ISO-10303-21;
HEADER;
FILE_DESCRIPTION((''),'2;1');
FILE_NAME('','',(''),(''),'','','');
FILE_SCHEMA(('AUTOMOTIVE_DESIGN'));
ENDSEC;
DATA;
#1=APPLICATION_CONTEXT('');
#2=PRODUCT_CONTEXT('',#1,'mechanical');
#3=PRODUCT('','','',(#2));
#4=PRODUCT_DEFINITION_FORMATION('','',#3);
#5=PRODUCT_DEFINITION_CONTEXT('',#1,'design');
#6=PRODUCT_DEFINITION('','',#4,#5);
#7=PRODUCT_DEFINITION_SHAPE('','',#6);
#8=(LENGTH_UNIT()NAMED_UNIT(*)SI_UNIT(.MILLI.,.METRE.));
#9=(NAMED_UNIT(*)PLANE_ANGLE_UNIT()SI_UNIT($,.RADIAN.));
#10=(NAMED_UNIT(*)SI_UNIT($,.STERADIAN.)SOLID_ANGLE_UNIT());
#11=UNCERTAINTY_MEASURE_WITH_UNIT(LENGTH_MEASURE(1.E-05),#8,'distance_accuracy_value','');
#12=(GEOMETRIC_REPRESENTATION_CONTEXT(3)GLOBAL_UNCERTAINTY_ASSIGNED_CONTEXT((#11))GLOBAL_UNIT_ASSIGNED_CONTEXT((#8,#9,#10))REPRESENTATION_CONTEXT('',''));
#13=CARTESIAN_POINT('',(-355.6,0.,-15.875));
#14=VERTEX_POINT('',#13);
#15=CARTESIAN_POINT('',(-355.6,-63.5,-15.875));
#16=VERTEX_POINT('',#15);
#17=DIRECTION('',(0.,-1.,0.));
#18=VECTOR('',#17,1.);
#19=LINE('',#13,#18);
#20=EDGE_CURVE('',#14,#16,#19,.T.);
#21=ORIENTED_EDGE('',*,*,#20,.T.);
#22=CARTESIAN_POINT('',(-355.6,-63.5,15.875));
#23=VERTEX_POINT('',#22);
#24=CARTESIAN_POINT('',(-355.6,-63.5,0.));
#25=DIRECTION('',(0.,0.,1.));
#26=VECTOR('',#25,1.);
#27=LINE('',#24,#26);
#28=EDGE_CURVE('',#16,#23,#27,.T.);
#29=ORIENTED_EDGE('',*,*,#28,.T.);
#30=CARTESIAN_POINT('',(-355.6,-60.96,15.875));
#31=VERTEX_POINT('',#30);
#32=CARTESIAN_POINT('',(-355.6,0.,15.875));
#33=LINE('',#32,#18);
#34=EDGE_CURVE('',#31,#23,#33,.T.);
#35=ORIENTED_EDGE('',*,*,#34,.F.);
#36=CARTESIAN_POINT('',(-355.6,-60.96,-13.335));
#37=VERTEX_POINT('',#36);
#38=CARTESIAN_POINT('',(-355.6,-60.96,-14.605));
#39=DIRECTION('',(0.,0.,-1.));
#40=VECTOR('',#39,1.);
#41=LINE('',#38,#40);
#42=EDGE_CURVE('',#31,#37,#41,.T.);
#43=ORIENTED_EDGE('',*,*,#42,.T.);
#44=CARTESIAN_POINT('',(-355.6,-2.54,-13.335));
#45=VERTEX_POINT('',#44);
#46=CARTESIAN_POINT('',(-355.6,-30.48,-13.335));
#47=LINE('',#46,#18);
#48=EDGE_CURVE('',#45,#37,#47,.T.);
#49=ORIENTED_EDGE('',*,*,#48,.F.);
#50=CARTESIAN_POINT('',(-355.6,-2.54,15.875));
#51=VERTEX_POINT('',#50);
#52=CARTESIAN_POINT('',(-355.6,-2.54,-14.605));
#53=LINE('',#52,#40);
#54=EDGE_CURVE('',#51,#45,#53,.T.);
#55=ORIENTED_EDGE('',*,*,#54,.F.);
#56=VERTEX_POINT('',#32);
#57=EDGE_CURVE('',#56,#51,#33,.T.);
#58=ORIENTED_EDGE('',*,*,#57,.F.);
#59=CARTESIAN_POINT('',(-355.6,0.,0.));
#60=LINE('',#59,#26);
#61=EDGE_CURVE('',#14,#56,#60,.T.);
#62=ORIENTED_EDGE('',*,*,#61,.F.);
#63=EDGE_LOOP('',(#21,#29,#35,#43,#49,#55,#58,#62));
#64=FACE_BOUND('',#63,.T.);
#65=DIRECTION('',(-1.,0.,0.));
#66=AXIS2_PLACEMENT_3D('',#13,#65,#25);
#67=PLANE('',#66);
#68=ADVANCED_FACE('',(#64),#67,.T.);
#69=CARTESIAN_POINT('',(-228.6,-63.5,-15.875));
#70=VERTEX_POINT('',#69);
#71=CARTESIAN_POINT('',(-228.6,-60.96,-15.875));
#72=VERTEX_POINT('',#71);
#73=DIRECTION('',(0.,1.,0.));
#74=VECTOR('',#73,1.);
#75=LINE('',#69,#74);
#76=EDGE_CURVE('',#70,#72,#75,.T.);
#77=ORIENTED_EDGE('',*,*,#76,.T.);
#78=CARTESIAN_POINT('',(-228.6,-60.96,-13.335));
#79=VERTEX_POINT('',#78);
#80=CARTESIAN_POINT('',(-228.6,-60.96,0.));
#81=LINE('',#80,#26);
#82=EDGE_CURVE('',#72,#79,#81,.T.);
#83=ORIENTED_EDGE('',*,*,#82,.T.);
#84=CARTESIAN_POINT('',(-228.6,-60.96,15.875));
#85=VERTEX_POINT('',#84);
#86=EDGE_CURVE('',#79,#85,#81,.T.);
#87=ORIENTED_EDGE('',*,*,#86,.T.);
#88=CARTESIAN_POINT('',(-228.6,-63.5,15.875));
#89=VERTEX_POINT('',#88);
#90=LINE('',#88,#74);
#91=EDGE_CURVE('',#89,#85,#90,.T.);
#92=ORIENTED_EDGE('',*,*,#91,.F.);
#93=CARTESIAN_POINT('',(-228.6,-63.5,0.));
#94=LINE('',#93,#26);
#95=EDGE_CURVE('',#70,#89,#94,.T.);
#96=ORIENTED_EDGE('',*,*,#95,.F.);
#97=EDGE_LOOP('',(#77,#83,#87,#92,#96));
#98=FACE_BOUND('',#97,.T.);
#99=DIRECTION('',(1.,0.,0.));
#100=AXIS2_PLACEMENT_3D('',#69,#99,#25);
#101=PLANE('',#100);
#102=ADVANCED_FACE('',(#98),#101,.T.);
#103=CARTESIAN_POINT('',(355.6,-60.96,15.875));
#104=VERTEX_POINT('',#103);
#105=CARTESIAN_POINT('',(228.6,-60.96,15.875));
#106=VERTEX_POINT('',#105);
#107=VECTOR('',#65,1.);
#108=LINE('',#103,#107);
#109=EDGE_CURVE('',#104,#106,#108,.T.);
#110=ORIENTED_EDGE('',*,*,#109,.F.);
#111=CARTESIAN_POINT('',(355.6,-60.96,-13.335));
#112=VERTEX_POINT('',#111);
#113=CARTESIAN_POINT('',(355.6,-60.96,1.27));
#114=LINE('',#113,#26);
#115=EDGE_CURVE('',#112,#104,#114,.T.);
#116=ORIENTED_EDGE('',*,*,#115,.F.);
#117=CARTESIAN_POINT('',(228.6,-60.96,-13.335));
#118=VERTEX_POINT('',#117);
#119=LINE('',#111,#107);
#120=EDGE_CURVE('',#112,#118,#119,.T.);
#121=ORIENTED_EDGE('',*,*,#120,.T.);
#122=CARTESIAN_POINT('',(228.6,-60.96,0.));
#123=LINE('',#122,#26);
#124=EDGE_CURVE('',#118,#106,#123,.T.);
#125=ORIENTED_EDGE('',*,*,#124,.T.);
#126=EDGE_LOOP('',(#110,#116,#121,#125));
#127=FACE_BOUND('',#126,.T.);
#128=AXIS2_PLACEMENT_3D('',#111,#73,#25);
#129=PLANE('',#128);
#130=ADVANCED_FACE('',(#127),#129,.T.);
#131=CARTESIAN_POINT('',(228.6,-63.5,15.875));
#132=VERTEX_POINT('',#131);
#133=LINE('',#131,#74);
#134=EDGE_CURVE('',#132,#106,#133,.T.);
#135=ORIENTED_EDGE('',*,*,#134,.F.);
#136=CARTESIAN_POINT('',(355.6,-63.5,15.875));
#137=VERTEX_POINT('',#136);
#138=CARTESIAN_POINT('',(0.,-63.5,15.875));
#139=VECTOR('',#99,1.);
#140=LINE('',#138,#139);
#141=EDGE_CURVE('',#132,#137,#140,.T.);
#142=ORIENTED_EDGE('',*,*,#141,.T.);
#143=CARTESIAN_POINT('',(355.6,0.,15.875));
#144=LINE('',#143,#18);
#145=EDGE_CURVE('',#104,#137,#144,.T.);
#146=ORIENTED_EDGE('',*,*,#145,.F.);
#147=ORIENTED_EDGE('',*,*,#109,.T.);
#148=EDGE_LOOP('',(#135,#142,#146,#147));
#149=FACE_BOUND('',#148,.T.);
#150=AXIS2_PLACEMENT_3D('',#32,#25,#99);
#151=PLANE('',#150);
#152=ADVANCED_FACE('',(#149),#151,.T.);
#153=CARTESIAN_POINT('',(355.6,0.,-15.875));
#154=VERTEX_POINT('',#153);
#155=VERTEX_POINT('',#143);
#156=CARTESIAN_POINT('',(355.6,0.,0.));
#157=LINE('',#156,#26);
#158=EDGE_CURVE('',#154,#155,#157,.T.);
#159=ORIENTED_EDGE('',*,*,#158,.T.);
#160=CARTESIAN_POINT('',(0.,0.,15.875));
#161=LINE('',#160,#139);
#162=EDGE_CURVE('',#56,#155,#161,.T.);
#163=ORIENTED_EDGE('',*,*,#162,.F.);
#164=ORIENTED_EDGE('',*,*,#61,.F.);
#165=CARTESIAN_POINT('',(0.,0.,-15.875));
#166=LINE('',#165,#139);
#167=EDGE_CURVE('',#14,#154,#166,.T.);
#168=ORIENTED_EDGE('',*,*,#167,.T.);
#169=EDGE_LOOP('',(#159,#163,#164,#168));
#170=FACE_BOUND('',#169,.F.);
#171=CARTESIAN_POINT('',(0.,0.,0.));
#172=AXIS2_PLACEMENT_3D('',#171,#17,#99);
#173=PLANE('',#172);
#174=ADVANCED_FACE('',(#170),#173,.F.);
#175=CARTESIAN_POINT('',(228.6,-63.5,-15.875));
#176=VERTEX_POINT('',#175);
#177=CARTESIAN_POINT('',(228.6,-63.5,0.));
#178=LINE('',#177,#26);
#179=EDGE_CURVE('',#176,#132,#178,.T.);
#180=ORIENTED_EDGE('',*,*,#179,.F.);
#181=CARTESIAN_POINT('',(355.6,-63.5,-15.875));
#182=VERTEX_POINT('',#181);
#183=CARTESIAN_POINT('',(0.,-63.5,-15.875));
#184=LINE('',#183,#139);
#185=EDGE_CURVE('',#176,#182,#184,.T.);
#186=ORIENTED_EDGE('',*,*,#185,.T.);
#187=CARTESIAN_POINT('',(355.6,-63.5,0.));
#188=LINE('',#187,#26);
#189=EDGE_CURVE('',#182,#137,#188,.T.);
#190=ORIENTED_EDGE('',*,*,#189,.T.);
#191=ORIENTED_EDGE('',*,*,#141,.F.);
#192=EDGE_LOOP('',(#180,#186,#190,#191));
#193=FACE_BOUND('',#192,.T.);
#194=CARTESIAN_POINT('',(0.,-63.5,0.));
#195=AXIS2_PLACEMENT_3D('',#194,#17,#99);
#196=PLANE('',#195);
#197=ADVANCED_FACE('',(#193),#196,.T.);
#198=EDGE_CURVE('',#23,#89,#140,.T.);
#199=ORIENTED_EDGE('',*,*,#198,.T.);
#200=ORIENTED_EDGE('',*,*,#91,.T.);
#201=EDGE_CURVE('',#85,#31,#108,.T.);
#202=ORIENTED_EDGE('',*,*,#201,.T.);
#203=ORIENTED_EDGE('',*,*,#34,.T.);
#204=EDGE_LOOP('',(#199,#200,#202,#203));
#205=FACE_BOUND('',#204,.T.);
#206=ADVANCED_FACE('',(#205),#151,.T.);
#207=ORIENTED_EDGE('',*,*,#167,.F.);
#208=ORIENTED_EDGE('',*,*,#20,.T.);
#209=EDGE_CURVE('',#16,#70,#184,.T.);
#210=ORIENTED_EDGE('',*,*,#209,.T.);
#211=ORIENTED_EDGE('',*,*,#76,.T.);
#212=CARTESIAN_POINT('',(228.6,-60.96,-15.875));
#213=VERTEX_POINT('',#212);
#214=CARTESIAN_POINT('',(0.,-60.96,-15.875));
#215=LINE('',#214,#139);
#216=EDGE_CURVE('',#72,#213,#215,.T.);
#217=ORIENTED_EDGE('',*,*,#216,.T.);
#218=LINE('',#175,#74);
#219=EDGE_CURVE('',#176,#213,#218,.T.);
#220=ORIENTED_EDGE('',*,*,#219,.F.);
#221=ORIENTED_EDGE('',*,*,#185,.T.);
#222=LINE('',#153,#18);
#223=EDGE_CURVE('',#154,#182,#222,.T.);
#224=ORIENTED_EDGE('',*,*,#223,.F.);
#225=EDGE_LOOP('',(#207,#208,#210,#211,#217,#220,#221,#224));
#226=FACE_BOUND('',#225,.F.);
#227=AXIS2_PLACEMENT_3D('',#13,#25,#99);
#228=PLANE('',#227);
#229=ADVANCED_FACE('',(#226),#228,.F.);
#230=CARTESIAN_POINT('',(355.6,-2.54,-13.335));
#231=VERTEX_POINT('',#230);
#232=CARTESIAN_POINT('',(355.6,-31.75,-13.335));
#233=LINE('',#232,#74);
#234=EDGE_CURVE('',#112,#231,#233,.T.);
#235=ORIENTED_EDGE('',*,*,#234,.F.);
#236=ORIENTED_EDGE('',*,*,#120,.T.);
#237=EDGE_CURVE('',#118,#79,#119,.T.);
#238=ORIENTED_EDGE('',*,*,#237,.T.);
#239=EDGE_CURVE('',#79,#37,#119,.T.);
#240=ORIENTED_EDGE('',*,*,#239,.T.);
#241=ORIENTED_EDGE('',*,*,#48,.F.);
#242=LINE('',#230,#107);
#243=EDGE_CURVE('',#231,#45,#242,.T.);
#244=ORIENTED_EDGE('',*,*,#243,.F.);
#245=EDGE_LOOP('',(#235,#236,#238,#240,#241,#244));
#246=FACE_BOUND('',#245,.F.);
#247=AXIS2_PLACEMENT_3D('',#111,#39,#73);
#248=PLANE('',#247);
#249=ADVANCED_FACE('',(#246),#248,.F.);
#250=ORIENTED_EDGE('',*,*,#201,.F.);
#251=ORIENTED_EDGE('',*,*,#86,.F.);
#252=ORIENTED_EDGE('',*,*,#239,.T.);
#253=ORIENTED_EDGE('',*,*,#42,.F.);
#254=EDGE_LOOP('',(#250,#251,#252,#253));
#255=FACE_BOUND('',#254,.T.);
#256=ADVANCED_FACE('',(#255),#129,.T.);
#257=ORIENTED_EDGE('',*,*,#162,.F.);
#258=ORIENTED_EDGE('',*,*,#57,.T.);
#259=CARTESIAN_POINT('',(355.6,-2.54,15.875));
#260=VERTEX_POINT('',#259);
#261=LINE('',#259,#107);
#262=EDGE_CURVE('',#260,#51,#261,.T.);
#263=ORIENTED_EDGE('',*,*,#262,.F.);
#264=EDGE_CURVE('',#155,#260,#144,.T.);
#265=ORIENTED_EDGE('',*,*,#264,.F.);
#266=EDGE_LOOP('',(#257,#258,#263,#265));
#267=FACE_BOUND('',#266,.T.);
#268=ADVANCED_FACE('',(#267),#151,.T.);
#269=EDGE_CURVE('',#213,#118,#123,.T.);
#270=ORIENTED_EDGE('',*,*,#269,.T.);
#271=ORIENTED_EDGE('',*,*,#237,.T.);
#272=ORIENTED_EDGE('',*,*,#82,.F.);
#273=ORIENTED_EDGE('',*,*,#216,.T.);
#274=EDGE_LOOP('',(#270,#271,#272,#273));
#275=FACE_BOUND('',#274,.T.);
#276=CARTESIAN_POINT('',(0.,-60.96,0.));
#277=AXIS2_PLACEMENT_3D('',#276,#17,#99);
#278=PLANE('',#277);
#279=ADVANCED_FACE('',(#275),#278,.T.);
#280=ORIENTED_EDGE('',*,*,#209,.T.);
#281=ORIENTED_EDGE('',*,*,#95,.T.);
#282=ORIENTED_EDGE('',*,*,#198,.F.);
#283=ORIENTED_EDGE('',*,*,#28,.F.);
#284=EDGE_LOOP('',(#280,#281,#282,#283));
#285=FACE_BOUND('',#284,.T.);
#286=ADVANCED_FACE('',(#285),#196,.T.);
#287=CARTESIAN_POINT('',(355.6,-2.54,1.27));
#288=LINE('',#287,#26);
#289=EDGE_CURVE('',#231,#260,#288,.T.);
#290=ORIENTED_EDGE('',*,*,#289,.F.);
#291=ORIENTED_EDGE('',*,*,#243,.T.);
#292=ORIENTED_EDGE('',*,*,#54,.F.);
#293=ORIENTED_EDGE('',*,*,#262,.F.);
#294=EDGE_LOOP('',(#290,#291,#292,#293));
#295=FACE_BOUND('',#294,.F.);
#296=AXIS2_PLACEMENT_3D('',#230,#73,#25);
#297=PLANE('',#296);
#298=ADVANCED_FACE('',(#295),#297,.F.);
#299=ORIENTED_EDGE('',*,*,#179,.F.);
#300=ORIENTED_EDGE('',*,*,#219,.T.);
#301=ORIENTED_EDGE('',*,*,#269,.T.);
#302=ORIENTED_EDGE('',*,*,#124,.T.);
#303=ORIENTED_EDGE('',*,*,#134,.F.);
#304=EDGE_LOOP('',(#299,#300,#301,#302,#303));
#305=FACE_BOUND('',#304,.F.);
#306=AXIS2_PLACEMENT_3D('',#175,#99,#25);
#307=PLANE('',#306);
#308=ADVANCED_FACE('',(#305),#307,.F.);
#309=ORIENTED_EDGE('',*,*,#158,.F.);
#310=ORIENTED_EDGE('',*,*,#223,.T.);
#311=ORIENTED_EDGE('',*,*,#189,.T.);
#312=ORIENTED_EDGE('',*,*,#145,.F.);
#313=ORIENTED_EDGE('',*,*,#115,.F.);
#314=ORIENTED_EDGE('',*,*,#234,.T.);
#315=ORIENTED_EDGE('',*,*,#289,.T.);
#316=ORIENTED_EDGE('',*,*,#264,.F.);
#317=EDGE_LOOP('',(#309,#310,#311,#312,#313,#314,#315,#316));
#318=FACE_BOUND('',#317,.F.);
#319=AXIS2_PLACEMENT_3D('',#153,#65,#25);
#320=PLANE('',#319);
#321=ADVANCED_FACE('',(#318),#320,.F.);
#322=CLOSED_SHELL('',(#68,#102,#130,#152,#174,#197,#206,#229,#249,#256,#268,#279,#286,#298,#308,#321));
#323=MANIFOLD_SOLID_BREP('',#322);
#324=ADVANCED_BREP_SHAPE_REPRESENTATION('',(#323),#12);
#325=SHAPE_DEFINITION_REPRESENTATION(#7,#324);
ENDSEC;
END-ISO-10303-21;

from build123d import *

# Parameters (mm, degrees)
F0_W     = 711.2
F0_H     = 31.75
F1_DEPTH = 63.5
F2_W     = 58.42
F2_H     = 29.21
F3_DEPTH = 711.201
F4_W     = 457.2
F4_H     = 31.75
F5_DEPTH = 2.54


with BuildPart() as f1:
    # F0 (on Front) → F1 (new body)
    with BuildSketch(Plane.XZ):
        Rectangle(F0_W, F0_H)
    extrude(amount=F1_DEPTH)

    # F2 (on face) → F3 (cut, through all)
    with BuildSketch(Plane.YZ.offset(355.6)):
        with Locations((-31.75, 1.27)):
            Rectangle(F2_W, F2_H)
    extrude(amount=-F3_DEPTH, mode=Mode.SUBTRACT)

    # F4 (on face) → F5 (cut)
    with BuildSketch(Plane.XZ.offset(63.5)):
        Rectangle(F4_W, F4_H)
    extrude(amount=-F5_DEPTH, mode=Mode.SUBTRACT)


solid = f1.part
